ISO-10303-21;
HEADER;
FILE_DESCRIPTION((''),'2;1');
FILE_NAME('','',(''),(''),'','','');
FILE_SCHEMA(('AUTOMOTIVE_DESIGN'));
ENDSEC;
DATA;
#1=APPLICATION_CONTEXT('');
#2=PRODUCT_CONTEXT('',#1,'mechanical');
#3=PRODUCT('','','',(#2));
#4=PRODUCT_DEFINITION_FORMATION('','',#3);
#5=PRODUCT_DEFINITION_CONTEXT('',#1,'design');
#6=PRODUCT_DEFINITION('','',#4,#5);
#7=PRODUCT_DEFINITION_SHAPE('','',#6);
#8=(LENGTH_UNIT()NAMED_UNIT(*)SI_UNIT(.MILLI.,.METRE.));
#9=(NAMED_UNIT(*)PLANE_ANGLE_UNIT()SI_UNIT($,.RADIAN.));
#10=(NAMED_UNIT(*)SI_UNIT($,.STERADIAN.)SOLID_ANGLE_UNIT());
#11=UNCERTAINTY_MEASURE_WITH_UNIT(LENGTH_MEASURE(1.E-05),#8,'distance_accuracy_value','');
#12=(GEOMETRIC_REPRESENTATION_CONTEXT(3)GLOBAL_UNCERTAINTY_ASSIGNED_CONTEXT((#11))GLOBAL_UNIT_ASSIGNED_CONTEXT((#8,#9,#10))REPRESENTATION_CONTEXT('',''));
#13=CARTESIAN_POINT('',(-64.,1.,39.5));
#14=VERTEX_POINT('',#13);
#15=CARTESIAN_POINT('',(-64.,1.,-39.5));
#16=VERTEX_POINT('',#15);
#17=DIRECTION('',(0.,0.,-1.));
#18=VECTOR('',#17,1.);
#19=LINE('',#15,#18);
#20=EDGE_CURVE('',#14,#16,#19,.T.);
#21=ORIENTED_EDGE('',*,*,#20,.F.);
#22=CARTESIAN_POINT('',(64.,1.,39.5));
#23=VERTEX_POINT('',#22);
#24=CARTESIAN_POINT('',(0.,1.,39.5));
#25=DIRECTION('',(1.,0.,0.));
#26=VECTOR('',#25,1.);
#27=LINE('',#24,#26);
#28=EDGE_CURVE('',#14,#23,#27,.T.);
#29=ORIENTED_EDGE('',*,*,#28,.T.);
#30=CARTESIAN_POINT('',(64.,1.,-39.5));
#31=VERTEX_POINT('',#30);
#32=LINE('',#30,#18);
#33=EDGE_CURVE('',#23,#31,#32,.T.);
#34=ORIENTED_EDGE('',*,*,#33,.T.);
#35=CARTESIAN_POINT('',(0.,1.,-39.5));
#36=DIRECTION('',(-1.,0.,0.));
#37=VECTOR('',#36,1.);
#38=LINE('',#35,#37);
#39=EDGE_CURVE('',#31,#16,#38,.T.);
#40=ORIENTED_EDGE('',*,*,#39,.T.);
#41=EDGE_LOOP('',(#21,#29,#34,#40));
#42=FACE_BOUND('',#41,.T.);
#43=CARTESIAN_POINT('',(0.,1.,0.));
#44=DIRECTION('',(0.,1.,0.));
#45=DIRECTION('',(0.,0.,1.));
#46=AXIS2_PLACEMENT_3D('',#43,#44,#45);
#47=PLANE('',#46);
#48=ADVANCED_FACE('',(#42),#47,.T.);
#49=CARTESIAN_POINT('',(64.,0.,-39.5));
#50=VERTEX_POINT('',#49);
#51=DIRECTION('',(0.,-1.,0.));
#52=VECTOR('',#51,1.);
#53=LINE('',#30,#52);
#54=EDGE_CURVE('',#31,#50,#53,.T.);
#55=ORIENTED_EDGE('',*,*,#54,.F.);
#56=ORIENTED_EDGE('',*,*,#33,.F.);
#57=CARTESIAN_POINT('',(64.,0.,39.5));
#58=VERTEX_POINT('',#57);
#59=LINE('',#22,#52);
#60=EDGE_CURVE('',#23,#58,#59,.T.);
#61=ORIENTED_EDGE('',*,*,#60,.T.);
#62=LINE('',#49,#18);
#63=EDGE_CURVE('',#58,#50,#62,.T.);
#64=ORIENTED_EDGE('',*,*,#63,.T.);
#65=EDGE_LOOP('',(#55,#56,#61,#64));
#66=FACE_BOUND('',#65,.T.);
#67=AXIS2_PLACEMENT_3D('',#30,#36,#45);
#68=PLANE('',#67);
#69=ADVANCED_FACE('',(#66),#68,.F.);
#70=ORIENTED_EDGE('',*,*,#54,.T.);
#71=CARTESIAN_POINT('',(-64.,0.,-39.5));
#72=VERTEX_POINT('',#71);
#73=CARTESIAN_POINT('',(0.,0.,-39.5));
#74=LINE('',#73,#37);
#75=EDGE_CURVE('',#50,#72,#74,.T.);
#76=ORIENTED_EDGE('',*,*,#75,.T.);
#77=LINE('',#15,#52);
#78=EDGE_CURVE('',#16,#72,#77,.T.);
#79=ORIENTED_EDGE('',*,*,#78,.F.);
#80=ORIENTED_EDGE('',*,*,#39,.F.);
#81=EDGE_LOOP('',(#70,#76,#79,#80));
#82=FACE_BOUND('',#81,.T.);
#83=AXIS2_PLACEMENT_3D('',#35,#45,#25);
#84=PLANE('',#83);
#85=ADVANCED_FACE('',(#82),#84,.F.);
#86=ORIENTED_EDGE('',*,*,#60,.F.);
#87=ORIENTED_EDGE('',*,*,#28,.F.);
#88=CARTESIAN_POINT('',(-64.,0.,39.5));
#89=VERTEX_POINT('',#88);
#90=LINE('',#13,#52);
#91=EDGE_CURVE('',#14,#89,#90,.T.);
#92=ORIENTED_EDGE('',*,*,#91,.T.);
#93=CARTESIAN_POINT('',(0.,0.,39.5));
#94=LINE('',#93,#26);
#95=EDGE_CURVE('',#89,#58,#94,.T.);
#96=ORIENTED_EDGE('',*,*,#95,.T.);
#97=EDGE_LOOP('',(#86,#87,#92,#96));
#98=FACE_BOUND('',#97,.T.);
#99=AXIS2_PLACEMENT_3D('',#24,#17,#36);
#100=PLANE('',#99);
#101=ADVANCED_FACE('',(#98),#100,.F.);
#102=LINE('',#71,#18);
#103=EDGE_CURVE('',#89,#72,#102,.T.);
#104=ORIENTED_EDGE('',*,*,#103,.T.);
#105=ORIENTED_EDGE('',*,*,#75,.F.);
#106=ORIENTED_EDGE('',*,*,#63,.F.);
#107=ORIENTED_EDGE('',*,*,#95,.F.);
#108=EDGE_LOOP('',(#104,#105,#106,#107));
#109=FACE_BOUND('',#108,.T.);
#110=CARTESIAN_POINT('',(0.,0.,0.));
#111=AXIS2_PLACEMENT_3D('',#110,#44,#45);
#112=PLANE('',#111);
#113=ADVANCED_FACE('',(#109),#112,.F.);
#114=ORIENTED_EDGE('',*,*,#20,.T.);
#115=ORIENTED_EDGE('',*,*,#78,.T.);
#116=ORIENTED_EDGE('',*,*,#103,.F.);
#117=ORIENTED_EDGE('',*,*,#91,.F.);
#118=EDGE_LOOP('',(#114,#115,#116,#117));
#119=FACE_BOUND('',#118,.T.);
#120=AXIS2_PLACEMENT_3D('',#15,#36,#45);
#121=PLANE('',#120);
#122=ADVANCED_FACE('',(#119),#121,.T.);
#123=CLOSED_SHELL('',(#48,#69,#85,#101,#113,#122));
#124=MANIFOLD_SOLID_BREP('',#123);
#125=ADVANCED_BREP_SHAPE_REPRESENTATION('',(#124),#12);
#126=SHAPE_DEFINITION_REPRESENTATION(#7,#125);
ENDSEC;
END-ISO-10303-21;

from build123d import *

# Parameters (mm, degrees)
ESQUISSE1_W        = 64
ESQUISSE1_H        = 79
BOSS_EXTRU_1_DEPTH = 1


with BuildPart() as part:
    # Esquisse1 → Boss.-Extru.1 (new body)
    with BuildSketch(Plane(origin=(0, 0, 0), x_dir=(1, 0, 0), z_dir=(0, 1, 0))):
        with Locations((32, 0)):
            Rectangle(ESQUISSE1_W, ESQUISSE1_H)
    boss_extru_1 = extrude(amount=BOSS_EXTRU_1_DEPTH)

    # Symétrie1: Boss.-Extru.1 across plane
    add(boss_extru_1.mirror(Plane(origin=(0, 1, -39.5), x_dir=(0, 0, 1), z_dir=(1, 0, 0))))


solid = part.part
